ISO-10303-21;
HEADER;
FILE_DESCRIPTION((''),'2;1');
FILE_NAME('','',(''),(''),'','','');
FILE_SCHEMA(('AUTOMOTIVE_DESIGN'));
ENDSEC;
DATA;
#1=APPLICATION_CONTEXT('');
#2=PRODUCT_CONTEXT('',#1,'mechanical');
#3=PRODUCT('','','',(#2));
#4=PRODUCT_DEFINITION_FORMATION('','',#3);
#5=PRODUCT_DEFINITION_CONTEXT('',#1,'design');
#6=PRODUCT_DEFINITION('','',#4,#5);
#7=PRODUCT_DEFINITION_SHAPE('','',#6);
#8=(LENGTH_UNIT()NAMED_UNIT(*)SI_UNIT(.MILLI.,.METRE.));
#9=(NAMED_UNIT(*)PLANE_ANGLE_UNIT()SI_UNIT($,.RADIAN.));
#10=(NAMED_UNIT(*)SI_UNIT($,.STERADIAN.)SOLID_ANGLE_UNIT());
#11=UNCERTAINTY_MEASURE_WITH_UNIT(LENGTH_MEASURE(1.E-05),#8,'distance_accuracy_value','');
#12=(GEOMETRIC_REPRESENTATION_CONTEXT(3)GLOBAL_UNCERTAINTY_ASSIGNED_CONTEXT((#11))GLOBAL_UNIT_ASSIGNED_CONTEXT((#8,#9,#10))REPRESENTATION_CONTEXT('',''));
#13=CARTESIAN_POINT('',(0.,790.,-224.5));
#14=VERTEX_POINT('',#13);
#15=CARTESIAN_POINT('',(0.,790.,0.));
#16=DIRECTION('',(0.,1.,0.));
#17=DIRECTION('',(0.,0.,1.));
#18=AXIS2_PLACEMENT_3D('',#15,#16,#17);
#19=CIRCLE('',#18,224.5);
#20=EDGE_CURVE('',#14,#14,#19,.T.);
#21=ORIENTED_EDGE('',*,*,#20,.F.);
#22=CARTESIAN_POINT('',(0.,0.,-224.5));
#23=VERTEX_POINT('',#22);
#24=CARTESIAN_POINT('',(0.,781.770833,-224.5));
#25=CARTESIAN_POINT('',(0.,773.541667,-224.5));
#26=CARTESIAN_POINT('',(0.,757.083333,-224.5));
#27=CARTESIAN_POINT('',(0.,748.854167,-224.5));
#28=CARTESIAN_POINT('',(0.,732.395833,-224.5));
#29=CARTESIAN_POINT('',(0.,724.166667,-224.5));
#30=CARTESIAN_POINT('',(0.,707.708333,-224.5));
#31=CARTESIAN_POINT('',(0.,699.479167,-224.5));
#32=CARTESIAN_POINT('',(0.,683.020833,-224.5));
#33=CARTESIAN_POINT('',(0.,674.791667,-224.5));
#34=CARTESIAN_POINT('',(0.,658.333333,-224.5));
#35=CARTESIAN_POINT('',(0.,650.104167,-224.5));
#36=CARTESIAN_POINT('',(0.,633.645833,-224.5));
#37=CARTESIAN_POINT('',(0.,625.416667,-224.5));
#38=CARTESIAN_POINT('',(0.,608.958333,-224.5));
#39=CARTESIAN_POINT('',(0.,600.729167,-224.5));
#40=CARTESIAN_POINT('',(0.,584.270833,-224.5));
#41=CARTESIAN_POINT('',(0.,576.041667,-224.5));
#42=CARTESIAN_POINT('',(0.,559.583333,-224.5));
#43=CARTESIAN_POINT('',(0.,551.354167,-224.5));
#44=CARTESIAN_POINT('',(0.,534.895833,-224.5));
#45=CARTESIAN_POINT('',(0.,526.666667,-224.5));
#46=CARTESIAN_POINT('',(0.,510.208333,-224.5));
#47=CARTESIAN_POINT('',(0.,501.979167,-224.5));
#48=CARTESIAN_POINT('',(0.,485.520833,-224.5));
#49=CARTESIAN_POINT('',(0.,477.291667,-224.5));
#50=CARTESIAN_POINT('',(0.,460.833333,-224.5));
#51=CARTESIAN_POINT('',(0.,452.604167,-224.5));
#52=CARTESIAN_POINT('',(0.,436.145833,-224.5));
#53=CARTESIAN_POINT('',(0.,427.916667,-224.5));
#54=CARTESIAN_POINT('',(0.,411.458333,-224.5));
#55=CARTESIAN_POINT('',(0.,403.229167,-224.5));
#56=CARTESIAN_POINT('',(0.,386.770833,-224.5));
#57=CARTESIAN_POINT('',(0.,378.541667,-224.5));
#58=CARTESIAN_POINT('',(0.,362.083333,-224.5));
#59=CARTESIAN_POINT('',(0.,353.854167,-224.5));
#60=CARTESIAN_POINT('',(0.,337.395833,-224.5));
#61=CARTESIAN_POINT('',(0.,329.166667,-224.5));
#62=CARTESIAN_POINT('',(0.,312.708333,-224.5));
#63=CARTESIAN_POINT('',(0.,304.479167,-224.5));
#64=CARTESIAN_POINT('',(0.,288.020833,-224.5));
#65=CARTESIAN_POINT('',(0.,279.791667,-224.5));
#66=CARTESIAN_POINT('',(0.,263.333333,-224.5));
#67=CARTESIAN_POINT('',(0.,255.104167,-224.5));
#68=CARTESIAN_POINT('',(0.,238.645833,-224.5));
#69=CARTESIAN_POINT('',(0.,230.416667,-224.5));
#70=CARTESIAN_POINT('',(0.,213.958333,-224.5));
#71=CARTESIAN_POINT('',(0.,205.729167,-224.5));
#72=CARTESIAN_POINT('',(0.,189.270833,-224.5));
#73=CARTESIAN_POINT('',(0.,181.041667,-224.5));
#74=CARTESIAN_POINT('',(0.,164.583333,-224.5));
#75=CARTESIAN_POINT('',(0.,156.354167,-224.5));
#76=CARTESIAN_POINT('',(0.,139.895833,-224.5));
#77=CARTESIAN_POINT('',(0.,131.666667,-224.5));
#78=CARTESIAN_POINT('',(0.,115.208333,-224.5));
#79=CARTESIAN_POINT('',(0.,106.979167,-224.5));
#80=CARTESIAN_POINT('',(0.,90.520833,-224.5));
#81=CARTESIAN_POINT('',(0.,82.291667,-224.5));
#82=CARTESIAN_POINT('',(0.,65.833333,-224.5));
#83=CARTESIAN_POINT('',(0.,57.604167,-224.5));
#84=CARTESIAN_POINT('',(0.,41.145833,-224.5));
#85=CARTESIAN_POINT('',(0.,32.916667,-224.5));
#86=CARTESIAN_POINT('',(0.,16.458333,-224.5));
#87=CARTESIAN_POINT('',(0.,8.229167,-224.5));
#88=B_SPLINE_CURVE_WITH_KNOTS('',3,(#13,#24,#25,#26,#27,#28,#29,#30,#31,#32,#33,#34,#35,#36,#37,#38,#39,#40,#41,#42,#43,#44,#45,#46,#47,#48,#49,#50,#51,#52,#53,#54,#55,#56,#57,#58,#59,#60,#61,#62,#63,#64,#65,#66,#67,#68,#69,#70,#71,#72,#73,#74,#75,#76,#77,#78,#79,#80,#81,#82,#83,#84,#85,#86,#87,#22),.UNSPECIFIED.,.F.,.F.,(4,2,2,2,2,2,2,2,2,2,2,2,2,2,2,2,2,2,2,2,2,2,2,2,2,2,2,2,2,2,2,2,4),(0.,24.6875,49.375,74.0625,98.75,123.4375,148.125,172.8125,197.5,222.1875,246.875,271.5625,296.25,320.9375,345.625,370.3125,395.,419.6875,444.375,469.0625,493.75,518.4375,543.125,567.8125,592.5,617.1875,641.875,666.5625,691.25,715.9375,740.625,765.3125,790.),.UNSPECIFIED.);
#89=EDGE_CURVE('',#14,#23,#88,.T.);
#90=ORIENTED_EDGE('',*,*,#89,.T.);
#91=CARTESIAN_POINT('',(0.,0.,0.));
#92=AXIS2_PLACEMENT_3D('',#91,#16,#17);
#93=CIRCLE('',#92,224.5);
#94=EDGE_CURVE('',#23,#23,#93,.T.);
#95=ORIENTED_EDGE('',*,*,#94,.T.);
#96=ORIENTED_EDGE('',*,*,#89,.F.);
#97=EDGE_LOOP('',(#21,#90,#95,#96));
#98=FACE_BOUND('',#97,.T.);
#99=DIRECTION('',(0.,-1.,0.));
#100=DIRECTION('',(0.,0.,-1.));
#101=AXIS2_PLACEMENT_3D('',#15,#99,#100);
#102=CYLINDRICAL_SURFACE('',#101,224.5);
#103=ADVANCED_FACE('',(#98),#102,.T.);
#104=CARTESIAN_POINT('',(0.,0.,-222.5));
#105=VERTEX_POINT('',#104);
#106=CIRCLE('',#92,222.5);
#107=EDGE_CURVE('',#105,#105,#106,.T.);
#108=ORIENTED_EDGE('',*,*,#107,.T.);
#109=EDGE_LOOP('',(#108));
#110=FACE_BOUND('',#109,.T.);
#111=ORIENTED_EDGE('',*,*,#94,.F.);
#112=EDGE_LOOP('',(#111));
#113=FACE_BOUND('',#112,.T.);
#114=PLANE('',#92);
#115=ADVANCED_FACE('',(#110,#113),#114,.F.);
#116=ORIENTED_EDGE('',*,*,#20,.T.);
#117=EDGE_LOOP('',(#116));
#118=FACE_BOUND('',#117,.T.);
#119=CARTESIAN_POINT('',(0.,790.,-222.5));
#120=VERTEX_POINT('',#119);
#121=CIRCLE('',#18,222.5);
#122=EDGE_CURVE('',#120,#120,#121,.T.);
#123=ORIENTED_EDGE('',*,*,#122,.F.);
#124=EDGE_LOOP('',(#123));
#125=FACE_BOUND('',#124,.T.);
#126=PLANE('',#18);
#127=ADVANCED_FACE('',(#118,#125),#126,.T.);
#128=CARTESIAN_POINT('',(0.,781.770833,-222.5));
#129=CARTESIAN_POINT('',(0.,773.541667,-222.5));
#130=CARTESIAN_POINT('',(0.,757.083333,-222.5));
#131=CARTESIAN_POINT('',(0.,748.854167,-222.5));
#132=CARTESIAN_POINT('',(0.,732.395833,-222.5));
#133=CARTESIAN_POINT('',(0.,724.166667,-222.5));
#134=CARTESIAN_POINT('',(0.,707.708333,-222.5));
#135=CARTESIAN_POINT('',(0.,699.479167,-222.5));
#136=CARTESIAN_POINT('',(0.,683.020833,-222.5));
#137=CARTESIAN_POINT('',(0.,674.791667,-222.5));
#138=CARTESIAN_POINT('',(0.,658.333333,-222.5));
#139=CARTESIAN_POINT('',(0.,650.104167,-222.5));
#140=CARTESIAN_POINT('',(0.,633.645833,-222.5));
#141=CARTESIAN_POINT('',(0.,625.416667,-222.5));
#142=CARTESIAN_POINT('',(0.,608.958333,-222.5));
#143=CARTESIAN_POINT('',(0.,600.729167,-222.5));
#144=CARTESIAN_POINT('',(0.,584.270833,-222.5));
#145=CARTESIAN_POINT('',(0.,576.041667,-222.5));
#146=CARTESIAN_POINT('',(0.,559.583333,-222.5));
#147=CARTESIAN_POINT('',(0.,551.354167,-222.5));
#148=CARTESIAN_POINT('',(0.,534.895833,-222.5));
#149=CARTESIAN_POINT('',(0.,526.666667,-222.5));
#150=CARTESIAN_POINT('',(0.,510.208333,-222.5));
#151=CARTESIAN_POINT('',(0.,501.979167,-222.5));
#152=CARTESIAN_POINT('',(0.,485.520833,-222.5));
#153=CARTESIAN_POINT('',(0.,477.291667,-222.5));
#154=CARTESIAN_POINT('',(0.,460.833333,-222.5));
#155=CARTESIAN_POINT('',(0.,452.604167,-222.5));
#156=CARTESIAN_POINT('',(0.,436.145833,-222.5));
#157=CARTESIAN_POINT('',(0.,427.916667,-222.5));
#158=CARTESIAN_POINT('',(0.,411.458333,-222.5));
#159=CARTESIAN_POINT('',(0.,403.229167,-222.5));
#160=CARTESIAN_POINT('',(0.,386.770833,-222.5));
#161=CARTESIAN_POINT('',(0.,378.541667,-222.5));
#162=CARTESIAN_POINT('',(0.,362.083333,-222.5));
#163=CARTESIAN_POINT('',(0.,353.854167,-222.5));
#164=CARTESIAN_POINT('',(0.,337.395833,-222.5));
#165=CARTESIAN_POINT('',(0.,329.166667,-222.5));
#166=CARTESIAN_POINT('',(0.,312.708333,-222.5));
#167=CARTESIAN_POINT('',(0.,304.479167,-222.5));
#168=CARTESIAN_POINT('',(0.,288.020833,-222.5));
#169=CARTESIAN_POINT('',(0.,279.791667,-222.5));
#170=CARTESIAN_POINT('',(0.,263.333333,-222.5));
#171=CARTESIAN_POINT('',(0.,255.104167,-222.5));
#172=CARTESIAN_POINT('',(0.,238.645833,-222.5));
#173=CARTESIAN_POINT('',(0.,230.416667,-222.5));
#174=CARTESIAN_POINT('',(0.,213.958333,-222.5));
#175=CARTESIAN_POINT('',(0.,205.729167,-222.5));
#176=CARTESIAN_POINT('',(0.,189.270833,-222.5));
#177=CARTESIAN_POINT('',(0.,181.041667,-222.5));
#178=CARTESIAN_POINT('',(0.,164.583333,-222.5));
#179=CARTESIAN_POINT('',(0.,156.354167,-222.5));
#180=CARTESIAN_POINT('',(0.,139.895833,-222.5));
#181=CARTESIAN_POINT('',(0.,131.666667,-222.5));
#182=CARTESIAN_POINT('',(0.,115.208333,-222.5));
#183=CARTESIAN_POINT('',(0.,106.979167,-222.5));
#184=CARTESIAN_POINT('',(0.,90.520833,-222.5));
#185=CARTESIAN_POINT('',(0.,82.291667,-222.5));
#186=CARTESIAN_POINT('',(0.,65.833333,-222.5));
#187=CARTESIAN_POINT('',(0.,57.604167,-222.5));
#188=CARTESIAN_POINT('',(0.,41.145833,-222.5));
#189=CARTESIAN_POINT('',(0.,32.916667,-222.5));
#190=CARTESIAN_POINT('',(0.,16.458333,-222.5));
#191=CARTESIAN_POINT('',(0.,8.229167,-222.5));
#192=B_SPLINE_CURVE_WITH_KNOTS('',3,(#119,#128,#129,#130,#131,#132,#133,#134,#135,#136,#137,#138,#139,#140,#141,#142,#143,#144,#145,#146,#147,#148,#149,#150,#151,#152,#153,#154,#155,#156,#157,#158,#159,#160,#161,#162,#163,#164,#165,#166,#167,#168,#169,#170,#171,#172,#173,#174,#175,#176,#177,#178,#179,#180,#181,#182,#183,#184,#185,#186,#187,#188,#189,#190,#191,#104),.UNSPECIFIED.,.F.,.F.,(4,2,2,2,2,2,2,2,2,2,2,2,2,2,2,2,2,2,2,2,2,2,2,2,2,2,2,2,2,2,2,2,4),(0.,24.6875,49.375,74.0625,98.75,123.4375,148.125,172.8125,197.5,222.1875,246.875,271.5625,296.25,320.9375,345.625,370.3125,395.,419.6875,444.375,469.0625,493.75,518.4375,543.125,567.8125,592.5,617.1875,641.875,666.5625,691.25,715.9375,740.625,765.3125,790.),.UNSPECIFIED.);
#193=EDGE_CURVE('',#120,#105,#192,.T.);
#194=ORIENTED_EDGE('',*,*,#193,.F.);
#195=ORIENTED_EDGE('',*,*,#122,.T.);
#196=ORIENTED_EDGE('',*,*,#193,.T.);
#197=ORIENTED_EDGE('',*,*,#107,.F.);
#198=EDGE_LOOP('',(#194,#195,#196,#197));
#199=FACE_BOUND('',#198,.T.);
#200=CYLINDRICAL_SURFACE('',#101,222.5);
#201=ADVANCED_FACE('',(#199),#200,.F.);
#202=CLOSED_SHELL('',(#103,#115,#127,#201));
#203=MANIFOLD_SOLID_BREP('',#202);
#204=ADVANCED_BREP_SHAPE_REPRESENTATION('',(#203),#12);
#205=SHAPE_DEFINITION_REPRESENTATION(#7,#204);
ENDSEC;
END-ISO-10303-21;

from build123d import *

# Parameters (mm, degrees)
SKETCH_1_R      = 222.5
EXTRUDE_1_DEPTH = 790
SHELL_1_T       = 2


with BuildPart() as part:
    # Эскиз1 → Бобышка-Вытянуть1 (new body)
    with BuildSketch(Plane(origin=(0, 0, 0), x_dir=(1, 0, 0), z_dir=(0, 1, 0))):
        with Locations(Location((0, 0, 0), (0, 0, 90))):
            Circle(SKETCH_1_R)
    extrude(amount=EXTRUDE_1_DEPTH)

    # Оболочка1
    shell_1_openings = [part.faces().sort_by_distance(p)[0] for p in [
        (0, 0, 0),
        (0, 790, 0),
    ]]
    offset(amount=SHELL_1_T, openings=shell_1_openings, kind=Kind.INTERSECTION)


solid = part.part
